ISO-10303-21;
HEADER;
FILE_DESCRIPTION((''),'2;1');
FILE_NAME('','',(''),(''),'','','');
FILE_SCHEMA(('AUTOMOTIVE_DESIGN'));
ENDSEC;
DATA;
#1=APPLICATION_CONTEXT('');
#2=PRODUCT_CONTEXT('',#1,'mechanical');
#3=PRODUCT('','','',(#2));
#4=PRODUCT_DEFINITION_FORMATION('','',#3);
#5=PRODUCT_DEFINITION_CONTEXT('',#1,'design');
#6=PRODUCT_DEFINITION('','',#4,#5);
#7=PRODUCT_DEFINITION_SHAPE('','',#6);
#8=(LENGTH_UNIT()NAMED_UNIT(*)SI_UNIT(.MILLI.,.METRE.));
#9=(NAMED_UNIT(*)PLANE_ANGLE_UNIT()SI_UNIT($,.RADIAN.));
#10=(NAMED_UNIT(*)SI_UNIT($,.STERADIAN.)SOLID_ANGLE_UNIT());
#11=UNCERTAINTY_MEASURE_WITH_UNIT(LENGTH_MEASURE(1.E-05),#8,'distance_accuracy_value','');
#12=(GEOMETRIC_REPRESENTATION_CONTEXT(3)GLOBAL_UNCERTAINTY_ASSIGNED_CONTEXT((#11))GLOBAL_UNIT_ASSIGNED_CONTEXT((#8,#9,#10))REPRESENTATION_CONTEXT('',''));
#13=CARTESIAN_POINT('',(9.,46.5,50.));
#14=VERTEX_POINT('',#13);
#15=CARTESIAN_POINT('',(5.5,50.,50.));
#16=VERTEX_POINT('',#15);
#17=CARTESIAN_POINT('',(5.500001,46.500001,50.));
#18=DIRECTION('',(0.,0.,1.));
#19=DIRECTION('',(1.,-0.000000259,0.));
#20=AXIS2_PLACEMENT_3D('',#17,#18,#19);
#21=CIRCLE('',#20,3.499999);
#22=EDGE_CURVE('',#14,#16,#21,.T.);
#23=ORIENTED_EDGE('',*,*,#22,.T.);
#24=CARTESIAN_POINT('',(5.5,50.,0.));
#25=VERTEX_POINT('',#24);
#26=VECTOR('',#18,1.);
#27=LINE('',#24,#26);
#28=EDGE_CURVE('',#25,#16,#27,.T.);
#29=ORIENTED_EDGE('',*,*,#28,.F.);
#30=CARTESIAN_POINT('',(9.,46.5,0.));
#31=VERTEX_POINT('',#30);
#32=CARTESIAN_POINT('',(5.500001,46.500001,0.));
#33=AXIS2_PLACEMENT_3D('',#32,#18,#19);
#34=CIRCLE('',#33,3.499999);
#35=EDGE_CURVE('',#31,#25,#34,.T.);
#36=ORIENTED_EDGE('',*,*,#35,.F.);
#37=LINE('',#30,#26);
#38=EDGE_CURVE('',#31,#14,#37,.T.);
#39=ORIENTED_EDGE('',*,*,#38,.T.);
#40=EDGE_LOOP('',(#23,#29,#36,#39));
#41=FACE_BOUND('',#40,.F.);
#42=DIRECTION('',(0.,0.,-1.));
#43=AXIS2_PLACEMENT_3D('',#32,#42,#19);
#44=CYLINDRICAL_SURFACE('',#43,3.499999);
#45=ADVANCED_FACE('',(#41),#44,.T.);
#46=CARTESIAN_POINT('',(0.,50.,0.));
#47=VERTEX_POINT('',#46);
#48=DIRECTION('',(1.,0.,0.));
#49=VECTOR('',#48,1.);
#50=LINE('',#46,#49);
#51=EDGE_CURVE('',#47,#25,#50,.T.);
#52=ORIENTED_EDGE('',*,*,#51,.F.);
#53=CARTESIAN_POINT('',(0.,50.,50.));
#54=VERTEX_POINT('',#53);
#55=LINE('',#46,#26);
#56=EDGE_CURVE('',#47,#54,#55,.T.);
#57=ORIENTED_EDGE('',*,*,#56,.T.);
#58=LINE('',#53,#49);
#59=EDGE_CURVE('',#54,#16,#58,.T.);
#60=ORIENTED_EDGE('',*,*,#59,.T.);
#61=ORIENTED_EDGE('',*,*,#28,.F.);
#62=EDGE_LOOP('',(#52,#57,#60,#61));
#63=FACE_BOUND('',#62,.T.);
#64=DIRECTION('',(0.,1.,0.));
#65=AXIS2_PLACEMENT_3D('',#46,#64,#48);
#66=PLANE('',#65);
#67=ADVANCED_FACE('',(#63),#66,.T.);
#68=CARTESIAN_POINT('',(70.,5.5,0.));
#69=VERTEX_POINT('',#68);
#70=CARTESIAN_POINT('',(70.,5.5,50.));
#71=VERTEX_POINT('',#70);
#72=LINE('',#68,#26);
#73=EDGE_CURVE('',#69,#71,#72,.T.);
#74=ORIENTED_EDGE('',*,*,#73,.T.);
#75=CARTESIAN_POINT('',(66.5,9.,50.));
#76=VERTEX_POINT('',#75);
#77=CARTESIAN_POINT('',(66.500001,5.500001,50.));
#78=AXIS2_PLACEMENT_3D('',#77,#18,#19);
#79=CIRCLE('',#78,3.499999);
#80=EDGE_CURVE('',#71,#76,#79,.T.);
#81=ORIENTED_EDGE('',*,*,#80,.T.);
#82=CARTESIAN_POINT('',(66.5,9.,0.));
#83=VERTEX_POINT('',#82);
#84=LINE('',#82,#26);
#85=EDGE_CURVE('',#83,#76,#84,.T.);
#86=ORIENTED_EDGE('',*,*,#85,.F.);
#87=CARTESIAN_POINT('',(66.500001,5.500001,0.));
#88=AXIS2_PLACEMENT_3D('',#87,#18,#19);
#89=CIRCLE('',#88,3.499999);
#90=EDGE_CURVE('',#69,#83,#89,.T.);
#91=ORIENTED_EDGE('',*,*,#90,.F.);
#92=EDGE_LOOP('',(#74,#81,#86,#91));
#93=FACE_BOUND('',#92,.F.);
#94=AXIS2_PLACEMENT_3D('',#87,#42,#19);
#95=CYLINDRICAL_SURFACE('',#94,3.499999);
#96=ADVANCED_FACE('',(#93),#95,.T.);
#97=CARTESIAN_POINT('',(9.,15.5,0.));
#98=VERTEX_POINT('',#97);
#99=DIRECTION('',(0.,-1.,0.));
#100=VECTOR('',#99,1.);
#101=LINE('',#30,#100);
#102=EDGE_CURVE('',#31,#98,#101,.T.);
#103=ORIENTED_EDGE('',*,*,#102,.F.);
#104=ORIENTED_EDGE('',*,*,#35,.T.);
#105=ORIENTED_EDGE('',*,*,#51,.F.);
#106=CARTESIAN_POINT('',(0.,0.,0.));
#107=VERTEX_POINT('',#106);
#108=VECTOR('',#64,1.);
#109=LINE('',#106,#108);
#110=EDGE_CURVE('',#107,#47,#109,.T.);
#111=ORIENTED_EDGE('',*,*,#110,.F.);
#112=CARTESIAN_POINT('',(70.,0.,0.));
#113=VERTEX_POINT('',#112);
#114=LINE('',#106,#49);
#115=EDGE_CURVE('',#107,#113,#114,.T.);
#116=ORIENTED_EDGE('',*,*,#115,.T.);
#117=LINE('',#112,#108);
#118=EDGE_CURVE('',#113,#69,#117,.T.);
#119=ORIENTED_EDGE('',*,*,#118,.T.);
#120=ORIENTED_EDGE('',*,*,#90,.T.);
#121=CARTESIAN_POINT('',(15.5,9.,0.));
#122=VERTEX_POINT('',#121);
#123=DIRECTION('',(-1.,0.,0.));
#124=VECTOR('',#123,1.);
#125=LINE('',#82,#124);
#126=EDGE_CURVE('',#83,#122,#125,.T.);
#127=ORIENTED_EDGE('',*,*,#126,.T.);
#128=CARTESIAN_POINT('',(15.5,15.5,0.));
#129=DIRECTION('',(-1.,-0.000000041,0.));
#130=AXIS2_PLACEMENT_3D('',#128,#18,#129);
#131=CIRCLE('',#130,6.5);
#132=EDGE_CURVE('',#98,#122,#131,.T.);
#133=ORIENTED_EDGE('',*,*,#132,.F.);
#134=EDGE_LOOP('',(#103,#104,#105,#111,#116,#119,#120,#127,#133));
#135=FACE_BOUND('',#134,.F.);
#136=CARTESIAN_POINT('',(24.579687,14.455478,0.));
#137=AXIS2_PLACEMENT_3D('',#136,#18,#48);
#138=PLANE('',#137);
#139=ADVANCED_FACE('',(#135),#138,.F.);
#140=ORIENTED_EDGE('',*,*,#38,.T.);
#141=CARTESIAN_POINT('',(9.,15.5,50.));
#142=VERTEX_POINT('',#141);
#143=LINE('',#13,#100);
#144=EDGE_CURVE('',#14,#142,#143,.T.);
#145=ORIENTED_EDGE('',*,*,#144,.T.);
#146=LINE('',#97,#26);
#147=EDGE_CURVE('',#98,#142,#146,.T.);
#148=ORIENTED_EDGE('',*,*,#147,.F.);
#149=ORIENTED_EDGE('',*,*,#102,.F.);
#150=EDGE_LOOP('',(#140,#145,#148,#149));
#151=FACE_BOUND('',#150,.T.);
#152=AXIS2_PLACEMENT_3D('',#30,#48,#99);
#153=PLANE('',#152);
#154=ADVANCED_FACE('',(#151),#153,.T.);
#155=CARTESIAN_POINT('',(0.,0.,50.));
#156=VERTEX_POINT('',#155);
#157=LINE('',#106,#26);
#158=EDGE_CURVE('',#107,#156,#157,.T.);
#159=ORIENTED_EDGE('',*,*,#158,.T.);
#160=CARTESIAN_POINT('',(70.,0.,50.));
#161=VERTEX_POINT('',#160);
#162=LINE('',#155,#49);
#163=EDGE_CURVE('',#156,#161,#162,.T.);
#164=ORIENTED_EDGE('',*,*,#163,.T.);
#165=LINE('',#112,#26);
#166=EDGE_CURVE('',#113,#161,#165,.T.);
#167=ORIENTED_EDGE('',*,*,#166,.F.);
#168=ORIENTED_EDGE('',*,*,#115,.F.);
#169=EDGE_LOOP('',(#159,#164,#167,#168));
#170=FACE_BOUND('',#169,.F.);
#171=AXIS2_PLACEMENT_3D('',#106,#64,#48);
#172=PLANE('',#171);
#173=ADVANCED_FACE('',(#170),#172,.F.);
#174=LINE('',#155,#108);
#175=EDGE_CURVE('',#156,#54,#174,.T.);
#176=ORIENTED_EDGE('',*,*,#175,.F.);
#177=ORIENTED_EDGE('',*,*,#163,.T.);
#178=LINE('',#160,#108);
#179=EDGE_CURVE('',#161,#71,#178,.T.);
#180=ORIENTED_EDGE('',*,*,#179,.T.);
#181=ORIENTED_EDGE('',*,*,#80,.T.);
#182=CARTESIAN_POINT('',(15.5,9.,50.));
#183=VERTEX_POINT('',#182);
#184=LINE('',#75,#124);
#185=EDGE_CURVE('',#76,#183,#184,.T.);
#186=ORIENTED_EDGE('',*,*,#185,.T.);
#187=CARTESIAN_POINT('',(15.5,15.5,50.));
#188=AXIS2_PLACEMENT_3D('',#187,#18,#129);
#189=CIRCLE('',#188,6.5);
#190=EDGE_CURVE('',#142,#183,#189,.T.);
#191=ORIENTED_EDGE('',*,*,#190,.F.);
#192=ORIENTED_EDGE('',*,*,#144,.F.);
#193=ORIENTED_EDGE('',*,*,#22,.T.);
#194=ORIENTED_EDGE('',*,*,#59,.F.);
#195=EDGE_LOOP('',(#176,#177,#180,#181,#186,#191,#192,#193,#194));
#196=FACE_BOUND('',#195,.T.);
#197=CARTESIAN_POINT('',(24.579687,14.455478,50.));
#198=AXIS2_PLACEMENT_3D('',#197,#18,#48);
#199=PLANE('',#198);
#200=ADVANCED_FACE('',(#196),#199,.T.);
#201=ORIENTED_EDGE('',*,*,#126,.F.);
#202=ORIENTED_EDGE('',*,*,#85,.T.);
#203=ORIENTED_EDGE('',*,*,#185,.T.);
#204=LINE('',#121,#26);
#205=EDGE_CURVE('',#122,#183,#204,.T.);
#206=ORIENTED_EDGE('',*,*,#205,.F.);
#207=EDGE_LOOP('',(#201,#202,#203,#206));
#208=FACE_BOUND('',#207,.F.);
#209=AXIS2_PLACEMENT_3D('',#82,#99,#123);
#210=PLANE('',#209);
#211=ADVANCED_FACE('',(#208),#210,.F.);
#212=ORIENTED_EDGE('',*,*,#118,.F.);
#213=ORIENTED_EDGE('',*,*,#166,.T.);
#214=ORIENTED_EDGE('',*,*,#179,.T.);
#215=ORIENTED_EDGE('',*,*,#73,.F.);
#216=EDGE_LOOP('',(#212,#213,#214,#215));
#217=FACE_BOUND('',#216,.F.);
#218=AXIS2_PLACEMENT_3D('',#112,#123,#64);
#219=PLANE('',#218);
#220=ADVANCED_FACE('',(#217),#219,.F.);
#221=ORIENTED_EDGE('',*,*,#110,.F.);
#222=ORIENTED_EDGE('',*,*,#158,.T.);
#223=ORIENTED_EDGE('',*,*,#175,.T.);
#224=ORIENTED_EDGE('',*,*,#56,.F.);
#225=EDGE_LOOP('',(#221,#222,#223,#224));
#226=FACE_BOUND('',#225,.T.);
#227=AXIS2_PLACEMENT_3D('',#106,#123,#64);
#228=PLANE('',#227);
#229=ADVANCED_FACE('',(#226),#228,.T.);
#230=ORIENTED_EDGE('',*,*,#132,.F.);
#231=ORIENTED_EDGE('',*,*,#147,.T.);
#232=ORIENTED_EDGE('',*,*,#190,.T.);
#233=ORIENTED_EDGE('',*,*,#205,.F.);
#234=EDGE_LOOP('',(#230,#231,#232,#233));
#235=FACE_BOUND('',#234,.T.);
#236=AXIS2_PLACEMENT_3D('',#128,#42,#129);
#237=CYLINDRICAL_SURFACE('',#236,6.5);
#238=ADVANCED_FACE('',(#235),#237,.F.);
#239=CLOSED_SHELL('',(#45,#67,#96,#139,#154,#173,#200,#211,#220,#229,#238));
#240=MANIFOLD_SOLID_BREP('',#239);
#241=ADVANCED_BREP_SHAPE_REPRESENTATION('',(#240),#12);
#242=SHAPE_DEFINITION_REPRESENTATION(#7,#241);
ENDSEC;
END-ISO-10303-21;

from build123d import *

# Parameters (mm, degrees)
EXTRUDE_DEPTH = 50


with BuildPart() as part:
    # Sketch → Extrude (new body)
    with BuildSketch(Plane.XY):
        with BuildLine():
            Line((0, 0), (70, 0))
            Line((70, 0), (70, 5.5))
            ThreePointArc((70, 5.5), (68.974874, 7.974874), (66.5, 9))
            Line((66.5, 9), (15.5, 9))
            ThreePointArc((9, 15.5), (10.903806, 10.903806), (15.5, 9))
            Line((9, 46.5), (9, 15.5))
            ThreePointArc((9, 46.5), (7.974874, 48.974874), (5.5, 50))
            Line((0, 50), (5.5, 50))
            Line((0, 0), (0, 50))
        make_face()
    extrude(amount=EXTRUDE_DEPTH)


solid = part.part
